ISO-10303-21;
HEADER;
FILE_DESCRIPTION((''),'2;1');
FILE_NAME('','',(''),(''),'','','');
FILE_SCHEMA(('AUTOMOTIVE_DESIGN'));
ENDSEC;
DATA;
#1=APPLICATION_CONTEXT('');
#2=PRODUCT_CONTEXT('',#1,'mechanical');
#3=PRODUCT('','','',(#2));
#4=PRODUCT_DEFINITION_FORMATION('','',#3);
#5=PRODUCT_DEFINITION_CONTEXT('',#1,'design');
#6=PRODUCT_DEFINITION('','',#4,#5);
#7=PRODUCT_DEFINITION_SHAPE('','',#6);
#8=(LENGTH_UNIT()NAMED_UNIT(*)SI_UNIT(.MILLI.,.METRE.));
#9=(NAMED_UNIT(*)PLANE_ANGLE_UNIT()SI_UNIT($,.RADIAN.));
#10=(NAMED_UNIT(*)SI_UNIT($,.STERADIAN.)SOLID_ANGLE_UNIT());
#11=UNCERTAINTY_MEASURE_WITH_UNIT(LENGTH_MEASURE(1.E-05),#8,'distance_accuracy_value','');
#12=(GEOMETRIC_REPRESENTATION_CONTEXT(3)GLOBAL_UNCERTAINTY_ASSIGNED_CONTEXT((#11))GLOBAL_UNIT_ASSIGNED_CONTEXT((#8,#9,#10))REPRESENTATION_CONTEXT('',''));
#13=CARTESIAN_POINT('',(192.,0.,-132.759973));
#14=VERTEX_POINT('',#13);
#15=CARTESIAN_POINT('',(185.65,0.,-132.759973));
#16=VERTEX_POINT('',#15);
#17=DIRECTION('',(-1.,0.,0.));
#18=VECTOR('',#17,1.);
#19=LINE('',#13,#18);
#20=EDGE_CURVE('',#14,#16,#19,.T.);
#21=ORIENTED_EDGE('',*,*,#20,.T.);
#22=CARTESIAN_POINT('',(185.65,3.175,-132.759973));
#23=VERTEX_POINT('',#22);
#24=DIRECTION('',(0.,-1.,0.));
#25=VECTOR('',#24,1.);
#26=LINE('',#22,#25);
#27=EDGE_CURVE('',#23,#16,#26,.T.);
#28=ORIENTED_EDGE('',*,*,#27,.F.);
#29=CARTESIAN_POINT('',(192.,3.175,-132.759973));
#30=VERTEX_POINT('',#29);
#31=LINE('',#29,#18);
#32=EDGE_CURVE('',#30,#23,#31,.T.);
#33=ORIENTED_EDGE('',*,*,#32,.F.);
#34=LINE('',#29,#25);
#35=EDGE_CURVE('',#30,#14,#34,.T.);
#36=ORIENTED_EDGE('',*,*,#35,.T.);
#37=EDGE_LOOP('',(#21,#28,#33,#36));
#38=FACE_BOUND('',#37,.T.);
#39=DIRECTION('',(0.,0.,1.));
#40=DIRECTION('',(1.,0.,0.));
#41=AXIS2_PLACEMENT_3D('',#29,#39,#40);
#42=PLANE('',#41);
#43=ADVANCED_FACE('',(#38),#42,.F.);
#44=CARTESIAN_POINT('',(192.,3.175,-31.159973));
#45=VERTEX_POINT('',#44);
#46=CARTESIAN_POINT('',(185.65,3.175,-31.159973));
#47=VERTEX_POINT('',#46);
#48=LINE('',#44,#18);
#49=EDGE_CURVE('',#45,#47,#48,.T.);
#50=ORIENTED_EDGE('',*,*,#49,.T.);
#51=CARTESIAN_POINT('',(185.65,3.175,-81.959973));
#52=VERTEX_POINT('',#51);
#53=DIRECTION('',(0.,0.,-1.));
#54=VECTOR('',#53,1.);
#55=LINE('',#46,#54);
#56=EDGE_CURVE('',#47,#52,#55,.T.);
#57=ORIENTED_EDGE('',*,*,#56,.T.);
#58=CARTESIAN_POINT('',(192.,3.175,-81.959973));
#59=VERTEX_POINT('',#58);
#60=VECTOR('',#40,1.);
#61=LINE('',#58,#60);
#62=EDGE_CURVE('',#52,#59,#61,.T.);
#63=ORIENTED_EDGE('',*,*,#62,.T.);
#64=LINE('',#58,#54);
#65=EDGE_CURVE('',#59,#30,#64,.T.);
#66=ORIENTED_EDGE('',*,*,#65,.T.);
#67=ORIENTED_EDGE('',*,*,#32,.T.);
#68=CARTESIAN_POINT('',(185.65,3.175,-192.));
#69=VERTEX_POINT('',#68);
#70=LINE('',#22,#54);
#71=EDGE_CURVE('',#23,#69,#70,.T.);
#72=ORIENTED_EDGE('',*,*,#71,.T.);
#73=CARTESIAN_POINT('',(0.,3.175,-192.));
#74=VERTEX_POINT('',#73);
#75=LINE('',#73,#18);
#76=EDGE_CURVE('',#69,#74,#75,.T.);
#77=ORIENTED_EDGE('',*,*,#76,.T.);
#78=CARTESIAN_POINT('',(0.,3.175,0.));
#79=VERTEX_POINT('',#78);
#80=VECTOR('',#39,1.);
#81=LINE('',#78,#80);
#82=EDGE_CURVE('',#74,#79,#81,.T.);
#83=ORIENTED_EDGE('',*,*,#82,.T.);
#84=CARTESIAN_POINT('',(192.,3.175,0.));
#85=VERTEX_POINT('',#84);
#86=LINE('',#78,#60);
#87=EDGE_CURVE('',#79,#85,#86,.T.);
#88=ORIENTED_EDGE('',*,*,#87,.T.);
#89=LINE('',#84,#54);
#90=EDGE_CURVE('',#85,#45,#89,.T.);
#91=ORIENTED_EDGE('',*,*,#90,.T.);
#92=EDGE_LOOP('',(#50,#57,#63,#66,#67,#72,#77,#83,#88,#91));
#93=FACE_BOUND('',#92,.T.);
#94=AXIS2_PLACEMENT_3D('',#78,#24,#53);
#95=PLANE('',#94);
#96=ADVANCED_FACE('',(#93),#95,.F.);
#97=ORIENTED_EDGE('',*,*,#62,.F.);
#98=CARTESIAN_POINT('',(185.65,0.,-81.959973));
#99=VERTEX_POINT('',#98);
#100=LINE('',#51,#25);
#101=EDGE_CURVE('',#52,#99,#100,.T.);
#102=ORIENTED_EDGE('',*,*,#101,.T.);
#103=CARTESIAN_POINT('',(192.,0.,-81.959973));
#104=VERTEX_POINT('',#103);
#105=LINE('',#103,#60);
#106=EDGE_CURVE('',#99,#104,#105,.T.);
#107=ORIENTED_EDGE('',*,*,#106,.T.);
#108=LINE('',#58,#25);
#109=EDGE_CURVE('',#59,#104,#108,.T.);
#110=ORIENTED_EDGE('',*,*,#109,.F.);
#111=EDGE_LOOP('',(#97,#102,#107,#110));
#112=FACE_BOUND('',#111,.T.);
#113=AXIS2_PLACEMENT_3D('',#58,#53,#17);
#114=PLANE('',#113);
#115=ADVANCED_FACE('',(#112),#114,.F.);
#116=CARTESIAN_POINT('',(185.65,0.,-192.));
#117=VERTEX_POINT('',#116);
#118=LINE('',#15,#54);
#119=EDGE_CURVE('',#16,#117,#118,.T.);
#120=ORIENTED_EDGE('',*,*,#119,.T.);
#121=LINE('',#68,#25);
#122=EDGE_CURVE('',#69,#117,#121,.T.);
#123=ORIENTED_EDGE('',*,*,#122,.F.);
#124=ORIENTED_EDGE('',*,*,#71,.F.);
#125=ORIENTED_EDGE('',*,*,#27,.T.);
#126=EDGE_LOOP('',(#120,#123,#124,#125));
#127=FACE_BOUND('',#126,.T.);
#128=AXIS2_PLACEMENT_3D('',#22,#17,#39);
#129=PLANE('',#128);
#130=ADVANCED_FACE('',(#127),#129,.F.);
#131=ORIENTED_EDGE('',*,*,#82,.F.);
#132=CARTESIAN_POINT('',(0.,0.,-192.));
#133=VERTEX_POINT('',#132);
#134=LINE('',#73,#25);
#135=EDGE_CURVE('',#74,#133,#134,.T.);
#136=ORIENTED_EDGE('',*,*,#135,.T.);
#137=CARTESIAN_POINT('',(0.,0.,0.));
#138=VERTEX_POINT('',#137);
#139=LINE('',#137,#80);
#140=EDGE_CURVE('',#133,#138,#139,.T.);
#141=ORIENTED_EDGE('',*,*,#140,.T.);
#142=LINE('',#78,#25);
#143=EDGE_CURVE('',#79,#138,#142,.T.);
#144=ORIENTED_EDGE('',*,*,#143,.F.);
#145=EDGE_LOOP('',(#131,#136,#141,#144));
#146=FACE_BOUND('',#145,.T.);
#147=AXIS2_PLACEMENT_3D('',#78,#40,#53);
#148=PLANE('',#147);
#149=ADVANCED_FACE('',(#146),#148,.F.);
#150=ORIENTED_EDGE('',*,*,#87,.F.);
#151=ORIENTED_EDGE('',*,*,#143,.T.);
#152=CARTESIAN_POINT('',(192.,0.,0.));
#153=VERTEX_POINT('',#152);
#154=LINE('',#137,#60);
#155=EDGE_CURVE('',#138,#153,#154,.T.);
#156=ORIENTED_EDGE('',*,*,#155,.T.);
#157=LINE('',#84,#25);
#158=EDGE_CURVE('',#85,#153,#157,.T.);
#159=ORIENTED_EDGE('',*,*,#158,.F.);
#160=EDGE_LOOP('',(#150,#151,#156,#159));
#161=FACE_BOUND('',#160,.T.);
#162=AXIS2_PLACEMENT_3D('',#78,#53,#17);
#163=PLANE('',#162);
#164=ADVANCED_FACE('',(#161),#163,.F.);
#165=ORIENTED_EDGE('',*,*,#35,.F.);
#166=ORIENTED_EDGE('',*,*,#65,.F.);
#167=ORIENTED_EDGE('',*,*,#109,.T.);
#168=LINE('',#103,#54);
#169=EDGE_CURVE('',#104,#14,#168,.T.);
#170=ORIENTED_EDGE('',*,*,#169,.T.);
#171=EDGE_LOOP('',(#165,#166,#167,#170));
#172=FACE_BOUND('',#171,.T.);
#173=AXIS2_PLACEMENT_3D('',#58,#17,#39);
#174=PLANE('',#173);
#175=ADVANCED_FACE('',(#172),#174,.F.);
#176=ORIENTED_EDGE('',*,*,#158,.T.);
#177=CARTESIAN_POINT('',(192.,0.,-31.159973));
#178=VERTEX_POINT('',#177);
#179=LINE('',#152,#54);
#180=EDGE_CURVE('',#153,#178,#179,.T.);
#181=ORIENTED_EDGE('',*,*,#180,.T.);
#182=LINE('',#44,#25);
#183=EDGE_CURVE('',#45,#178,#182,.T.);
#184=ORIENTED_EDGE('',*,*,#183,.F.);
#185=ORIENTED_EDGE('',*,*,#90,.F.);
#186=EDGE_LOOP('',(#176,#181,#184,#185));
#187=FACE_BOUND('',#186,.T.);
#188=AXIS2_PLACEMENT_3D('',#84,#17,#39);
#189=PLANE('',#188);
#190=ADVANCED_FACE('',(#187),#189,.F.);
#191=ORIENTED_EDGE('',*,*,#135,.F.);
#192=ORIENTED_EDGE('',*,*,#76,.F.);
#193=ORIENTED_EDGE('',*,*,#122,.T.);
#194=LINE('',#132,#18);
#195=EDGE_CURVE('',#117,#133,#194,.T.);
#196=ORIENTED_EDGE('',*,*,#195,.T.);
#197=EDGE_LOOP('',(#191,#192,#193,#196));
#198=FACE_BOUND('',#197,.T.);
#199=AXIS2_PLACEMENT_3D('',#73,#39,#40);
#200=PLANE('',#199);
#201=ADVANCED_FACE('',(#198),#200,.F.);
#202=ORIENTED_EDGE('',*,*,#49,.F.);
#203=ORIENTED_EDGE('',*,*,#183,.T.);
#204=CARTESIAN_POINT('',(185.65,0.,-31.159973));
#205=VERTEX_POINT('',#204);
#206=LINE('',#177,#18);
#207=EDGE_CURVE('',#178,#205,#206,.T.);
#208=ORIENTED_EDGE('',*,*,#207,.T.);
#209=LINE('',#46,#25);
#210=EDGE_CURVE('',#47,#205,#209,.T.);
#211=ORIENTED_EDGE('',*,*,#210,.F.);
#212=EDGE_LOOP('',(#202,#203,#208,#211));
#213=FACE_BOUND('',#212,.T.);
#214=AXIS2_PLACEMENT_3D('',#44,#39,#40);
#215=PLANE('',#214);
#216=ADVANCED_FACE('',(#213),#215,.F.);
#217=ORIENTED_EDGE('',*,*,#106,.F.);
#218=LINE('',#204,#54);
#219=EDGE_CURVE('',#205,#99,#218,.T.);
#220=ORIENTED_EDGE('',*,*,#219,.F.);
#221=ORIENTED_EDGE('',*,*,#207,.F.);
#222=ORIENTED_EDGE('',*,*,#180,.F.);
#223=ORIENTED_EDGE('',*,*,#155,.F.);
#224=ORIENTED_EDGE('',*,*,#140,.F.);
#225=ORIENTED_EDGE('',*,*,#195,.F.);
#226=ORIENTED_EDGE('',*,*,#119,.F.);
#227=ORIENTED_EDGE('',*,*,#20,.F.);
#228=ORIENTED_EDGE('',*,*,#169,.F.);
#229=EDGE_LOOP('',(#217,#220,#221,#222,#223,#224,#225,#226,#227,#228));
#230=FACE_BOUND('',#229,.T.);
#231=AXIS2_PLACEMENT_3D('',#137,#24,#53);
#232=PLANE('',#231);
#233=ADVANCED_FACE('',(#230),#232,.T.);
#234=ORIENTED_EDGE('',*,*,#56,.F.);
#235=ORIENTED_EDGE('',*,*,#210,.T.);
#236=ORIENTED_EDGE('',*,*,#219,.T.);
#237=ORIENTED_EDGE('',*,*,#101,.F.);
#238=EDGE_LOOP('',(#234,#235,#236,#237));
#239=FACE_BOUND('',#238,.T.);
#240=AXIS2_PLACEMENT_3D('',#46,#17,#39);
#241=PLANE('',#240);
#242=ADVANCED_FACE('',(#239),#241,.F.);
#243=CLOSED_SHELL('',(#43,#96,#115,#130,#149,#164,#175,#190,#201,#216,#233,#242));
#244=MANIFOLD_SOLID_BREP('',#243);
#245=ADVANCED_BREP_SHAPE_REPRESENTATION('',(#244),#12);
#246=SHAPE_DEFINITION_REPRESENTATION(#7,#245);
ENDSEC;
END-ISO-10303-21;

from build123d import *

# Parameters (mm, degrees)
BOSS_EXTRUDE1_DEPTH = 3.175


with BuildPart() as part:
    # Sketch1 → Boss-Extrude1 (new body)
    with BuildSketch(Plane(origin=(0, 0, 0), x_dir=(1, 0, 0), z_dir=(0, 1, 0))):
        Polygon((0, 0), (192, 0), (192, 31.159972621), (185.65, 31.159972621), (185.65, 81.959972621), (192, 81.959972621), (192, 132.759972621), (185.65, 132.759972621), (185.65, 192), (0, 192), align=None)
    extrude(amount=BOSS_EXTRUDE1_DEPTH)


solid = part.part
